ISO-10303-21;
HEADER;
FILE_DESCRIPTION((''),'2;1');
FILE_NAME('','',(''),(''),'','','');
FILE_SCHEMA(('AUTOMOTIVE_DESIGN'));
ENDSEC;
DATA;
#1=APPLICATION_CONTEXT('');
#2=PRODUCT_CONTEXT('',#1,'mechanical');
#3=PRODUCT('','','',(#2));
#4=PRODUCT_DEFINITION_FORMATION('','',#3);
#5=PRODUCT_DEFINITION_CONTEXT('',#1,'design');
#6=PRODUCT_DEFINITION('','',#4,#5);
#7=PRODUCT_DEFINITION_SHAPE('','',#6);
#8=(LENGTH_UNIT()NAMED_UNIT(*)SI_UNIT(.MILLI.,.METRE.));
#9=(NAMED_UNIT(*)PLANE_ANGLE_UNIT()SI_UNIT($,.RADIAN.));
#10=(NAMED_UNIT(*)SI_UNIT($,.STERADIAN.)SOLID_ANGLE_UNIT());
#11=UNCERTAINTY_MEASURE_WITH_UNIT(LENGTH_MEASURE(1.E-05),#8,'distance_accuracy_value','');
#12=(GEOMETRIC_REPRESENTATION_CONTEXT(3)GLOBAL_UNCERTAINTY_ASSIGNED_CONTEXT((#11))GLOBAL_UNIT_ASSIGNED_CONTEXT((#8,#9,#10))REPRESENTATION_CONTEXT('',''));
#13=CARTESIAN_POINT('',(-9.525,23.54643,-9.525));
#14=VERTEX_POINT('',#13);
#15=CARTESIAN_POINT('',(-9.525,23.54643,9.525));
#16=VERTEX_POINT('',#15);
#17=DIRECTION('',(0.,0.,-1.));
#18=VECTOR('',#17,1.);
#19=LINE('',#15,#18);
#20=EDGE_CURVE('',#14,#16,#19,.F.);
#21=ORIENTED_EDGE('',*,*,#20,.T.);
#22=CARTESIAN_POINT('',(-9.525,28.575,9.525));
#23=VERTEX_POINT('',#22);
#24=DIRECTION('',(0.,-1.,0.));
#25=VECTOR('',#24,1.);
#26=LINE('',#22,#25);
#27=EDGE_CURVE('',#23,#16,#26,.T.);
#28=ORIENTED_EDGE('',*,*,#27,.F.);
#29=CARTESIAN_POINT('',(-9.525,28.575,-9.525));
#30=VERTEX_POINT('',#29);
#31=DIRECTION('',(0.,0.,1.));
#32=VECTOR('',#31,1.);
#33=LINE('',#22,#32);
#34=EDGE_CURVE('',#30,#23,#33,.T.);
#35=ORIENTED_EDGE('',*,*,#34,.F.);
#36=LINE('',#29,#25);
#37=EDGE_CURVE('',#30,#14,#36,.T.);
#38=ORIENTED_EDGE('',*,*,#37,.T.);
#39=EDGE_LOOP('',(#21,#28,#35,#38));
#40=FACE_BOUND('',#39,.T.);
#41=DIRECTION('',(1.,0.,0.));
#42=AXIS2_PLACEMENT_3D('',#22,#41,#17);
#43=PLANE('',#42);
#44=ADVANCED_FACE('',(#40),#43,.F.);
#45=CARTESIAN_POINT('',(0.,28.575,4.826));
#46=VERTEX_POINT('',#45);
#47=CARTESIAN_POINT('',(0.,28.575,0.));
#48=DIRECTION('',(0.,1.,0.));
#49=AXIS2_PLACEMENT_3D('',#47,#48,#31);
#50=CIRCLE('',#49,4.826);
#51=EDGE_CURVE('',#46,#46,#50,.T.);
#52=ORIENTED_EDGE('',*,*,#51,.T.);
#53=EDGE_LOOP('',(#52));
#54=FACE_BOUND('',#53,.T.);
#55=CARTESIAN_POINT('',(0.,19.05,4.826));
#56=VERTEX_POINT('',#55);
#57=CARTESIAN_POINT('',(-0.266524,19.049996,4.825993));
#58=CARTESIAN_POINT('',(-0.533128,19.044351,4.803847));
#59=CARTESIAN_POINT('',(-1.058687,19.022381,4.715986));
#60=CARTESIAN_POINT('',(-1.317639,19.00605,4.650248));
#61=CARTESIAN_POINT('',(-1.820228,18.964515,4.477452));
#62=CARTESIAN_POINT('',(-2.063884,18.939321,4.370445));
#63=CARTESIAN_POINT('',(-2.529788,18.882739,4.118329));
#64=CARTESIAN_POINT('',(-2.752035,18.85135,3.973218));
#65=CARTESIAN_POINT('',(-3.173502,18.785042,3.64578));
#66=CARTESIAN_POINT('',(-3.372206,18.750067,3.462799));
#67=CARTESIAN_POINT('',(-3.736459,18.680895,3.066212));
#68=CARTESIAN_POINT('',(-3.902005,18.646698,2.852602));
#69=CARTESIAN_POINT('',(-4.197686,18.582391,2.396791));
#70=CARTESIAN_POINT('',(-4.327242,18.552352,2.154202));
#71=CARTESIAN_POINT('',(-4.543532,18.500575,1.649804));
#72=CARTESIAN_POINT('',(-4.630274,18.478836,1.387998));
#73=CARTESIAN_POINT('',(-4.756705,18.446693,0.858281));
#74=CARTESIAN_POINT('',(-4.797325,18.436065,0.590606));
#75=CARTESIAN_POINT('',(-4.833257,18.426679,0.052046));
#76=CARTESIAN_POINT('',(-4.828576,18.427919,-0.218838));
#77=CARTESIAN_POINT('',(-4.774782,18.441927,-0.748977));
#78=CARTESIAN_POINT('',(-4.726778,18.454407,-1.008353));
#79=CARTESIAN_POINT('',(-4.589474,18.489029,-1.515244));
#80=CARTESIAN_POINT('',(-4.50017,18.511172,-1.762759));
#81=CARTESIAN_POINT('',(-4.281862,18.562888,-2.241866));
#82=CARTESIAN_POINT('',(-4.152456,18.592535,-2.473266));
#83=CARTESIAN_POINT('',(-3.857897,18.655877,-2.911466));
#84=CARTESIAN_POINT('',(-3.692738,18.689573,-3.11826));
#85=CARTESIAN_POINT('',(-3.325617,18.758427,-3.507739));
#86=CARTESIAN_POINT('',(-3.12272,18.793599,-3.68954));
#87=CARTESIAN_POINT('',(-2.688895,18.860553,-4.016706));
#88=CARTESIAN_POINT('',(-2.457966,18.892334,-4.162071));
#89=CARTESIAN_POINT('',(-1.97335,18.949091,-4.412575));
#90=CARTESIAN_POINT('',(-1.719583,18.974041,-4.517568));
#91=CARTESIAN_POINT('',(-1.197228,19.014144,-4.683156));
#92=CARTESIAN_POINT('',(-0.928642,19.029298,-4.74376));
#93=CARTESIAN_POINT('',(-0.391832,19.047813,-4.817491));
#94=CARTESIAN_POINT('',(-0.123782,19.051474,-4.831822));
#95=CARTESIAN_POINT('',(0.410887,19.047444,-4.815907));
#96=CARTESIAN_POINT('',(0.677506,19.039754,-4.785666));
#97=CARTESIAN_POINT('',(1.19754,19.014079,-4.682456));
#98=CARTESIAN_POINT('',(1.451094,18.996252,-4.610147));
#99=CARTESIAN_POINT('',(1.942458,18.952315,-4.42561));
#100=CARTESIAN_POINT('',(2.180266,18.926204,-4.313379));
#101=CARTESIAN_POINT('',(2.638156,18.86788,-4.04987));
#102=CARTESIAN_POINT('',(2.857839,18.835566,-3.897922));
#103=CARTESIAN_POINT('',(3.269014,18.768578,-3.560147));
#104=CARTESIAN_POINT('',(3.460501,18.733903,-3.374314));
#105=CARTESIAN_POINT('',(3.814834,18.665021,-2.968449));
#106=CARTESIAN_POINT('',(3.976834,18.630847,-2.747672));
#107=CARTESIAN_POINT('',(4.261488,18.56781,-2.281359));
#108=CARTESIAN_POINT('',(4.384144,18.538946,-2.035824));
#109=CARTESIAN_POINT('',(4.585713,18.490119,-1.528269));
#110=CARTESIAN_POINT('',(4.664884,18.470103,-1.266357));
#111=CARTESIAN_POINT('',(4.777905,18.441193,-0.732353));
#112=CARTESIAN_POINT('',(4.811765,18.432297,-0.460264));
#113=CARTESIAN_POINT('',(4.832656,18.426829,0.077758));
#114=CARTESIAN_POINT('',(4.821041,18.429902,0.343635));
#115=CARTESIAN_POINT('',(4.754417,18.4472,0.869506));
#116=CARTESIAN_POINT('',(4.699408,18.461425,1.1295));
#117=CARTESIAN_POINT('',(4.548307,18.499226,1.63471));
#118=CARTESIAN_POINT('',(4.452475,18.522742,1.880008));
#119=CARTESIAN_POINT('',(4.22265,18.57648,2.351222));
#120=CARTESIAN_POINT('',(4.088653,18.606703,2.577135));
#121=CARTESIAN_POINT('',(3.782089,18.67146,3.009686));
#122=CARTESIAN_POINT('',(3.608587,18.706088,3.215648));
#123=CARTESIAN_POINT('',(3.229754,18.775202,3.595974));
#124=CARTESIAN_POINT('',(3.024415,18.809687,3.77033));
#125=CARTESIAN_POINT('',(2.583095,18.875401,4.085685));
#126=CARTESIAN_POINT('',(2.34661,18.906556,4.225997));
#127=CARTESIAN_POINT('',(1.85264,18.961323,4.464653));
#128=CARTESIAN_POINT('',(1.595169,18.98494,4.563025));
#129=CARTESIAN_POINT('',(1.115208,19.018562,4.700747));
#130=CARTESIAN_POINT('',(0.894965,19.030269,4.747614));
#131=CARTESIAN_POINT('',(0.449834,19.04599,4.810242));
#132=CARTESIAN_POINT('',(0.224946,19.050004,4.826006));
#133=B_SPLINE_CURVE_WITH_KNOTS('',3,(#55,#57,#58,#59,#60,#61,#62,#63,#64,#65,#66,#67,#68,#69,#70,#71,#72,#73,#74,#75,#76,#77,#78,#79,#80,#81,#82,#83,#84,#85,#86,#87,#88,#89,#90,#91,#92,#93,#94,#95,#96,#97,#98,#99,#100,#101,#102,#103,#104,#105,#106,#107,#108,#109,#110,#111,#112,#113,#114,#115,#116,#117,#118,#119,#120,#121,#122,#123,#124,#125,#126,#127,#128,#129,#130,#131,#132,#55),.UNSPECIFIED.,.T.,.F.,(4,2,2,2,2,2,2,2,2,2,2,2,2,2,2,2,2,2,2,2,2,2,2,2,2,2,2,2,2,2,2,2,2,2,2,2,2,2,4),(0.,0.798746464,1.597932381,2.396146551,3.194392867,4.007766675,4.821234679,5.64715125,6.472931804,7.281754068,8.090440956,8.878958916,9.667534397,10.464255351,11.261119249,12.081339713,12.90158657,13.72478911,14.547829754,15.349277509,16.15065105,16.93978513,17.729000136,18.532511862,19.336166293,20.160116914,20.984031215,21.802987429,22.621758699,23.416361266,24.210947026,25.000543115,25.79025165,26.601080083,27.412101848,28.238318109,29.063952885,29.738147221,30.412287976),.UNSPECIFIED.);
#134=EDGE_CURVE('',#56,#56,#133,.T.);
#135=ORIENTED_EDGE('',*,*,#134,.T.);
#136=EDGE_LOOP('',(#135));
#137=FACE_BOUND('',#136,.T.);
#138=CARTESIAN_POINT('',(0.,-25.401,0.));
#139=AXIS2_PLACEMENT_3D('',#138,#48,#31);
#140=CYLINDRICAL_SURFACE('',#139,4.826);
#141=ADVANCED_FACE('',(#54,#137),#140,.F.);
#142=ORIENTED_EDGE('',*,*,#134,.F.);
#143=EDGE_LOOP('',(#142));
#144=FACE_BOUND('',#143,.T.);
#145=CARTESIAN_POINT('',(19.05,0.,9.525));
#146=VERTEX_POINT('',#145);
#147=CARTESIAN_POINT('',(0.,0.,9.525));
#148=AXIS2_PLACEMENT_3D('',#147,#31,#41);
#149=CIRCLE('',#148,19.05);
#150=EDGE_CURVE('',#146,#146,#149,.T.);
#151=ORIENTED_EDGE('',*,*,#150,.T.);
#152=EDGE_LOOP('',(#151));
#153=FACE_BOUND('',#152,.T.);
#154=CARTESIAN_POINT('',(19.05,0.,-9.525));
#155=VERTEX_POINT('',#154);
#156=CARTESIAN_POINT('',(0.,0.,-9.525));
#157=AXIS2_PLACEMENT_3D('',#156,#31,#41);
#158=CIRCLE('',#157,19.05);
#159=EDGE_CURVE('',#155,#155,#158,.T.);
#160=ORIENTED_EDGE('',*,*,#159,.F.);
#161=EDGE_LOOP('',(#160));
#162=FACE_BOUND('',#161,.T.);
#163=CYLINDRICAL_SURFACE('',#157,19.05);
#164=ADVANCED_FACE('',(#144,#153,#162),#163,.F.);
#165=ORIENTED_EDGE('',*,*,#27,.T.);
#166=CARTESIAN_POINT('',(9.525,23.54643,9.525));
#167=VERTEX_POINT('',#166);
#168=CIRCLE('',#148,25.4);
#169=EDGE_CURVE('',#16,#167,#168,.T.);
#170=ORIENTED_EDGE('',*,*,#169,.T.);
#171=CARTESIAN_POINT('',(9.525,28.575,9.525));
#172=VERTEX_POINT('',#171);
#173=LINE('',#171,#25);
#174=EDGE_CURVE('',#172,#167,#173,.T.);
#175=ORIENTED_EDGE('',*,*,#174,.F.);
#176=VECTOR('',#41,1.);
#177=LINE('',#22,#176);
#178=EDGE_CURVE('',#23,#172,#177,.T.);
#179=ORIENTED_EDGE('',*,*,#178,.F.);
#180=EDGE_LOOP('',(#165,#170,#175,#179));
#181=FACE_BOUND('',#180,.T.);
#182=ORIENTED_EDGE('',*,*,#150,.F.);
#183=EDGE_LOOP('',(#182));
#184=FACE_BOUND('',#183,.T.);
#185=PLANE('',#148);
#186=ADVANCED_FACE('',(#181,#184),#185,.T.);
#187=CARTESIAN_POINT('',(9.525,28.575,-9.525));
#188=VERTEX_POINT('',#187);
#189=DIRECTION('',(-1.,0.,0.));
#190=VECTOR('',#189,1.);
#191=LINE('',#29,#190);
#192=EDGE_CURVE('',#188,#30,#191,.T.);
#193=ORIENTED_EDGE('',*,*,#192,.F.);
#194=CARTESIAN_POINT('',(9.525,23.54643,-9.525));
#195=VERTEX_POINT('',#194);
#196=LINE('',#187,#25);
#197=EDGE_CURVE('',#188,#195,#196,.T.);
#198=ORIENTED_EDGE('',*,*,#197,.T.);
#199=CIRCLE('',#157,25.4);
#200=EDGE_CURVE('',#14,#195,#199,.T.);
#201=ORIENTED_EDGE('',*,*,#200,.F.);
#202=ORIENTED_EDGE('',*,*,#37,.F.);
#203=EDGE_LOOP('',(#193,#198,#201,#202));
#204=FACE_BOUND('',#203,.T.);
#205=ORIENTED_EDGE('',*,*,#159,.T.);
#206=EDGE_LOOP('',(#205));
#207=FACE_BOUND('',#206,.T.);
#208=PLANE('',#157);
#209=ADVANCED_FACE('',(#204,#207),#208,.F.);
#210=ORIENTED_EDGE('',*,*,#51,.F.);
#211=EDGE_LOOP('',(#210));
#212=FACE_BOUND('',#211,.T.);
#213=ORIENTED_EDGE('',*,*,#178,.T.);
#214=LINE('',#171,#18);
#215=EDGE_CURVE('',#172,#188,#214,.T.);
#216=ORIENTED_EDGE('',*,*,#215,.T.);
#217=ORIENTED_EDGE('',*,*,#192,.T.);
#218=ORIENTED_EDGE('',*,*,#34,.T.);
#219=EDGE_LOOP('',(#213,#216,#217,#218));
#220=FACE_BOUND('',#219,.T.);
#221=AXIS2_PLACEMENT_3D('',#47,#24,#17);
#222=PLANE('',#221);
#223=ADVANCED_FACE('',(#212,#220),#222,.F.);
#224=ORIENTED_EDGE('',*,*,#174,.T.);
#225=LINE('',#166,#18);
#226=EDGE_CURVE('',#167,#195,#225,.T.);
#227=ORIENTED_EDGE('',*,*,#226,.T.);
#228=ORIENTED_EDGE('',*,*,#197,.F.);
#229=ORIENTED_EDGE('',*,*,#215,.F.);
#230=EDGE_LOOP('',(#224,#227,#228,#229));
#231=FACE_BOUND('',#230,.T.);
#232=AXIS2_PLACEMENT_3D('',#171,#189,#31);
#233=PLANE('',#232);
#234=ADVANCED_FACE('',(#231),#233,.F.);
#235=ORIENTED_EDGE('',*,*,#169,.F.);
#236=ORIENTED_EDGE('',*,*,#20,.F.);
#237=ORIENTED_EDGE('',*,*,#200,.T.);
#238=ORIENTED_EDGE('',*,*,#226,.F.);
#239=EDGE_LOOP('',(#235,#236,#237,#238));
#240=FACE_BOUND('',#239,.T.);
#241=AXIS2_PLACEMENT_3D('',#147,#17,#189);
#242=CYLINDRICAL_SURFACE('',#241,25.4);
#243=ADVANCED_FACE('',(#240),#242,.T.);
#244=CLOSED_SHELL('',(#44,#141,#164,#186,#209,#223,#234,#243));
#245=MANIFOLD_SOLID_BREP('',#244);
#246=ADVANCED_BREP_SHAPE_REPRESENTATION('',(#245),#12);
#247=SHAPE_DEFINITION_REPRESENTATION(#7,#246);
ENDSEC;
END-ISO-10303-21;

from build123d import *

# Parameters (mm, degrees)
SKETCH1_R               = 25.4
BOSS_EXTRUDE1_DEPTH     = 9.525
SKETCH2_W               = 19.05
SKETCH2_H               = 19.05
BOSS_EXTRUDE2_DEPTH     = 28.575
SKETCH3_R               = 19.05
CUT_EXTRUDE1_DEPTH      = 43.715256349
CUT_EXTRUDE2_REACH      = 62.408
CUT_EXTRUDE2_END_RADIUS = 19.05
SKETCH4_R               = 4.826


with BuildPart() as part:
    # Sketch1 → Boss-Extrude1 (new, symmetric)
    with BuildSketch(Plane.XY):
        with Locations(Location((0, 0, 0), (0, 0, 180))):
            Circle(SKETCH1_R)
    extrude(amount=BOSS_EXTRUDE1_DEPTH, both=True)

    # Sketch2 → Boss-Extrude2 (add)
    with BuildSketch(Plane(origin=(0, 0, 0), x_dir=(1, 0, 0), z_dir=(0, 1, 0))):
        Rectangle(SKETCH2_W, SKETCH2_H)
    extrude(amount=BOSS_EXTRUDE2_DEPTH)

    # Sketch3 → Cut-Extrude1 (cut, through all)
    with BuildSketch(Plane.XY.offset(9.525)):
        Circle(SKETCH3_R)
    extrude(amount=-CUT_EXTRUDE1_DEPTH, mode=Mode.SUBTRACT)

    # Cut-Extrude2: up to this cylinder (the profile starts outside it)
    cut_extrude2_end = Plane(origin=(0, 0, 0), z_dir=(0, 0, 1)) * Cylinder(CUT_EXTRUDE2_END_RADIUS, 163.916, mode=Mode.PRIVATE)
    # Sketch4 → Cut-Extrude2 (cut, up to the surface)
    with BuildSketch(Plane(origin=(0, 28.575, 0), x_dir=(1, 0, 0), z_dir=(0, 1, 0)), mode=Mode.PRIVATE) as cut_extrude2_sk1:
        with Locations(Location((0, 0, 0), (0, 0, 270))):
            Circle(SKETCH4_R)
    cut_extrude2_tool1 = extrude(cut_extrude2_sk1.sketch, amount=-CUT_EXTRUDE2_REACH, mode=Mode.PRIVATE) - cut_extrude2_end
    add(cut_extrude2_tool1.solids().sort_by_distance((0, 28.575, 0))[0], mode=Mode.SUBTRACT)


solid = part.part
